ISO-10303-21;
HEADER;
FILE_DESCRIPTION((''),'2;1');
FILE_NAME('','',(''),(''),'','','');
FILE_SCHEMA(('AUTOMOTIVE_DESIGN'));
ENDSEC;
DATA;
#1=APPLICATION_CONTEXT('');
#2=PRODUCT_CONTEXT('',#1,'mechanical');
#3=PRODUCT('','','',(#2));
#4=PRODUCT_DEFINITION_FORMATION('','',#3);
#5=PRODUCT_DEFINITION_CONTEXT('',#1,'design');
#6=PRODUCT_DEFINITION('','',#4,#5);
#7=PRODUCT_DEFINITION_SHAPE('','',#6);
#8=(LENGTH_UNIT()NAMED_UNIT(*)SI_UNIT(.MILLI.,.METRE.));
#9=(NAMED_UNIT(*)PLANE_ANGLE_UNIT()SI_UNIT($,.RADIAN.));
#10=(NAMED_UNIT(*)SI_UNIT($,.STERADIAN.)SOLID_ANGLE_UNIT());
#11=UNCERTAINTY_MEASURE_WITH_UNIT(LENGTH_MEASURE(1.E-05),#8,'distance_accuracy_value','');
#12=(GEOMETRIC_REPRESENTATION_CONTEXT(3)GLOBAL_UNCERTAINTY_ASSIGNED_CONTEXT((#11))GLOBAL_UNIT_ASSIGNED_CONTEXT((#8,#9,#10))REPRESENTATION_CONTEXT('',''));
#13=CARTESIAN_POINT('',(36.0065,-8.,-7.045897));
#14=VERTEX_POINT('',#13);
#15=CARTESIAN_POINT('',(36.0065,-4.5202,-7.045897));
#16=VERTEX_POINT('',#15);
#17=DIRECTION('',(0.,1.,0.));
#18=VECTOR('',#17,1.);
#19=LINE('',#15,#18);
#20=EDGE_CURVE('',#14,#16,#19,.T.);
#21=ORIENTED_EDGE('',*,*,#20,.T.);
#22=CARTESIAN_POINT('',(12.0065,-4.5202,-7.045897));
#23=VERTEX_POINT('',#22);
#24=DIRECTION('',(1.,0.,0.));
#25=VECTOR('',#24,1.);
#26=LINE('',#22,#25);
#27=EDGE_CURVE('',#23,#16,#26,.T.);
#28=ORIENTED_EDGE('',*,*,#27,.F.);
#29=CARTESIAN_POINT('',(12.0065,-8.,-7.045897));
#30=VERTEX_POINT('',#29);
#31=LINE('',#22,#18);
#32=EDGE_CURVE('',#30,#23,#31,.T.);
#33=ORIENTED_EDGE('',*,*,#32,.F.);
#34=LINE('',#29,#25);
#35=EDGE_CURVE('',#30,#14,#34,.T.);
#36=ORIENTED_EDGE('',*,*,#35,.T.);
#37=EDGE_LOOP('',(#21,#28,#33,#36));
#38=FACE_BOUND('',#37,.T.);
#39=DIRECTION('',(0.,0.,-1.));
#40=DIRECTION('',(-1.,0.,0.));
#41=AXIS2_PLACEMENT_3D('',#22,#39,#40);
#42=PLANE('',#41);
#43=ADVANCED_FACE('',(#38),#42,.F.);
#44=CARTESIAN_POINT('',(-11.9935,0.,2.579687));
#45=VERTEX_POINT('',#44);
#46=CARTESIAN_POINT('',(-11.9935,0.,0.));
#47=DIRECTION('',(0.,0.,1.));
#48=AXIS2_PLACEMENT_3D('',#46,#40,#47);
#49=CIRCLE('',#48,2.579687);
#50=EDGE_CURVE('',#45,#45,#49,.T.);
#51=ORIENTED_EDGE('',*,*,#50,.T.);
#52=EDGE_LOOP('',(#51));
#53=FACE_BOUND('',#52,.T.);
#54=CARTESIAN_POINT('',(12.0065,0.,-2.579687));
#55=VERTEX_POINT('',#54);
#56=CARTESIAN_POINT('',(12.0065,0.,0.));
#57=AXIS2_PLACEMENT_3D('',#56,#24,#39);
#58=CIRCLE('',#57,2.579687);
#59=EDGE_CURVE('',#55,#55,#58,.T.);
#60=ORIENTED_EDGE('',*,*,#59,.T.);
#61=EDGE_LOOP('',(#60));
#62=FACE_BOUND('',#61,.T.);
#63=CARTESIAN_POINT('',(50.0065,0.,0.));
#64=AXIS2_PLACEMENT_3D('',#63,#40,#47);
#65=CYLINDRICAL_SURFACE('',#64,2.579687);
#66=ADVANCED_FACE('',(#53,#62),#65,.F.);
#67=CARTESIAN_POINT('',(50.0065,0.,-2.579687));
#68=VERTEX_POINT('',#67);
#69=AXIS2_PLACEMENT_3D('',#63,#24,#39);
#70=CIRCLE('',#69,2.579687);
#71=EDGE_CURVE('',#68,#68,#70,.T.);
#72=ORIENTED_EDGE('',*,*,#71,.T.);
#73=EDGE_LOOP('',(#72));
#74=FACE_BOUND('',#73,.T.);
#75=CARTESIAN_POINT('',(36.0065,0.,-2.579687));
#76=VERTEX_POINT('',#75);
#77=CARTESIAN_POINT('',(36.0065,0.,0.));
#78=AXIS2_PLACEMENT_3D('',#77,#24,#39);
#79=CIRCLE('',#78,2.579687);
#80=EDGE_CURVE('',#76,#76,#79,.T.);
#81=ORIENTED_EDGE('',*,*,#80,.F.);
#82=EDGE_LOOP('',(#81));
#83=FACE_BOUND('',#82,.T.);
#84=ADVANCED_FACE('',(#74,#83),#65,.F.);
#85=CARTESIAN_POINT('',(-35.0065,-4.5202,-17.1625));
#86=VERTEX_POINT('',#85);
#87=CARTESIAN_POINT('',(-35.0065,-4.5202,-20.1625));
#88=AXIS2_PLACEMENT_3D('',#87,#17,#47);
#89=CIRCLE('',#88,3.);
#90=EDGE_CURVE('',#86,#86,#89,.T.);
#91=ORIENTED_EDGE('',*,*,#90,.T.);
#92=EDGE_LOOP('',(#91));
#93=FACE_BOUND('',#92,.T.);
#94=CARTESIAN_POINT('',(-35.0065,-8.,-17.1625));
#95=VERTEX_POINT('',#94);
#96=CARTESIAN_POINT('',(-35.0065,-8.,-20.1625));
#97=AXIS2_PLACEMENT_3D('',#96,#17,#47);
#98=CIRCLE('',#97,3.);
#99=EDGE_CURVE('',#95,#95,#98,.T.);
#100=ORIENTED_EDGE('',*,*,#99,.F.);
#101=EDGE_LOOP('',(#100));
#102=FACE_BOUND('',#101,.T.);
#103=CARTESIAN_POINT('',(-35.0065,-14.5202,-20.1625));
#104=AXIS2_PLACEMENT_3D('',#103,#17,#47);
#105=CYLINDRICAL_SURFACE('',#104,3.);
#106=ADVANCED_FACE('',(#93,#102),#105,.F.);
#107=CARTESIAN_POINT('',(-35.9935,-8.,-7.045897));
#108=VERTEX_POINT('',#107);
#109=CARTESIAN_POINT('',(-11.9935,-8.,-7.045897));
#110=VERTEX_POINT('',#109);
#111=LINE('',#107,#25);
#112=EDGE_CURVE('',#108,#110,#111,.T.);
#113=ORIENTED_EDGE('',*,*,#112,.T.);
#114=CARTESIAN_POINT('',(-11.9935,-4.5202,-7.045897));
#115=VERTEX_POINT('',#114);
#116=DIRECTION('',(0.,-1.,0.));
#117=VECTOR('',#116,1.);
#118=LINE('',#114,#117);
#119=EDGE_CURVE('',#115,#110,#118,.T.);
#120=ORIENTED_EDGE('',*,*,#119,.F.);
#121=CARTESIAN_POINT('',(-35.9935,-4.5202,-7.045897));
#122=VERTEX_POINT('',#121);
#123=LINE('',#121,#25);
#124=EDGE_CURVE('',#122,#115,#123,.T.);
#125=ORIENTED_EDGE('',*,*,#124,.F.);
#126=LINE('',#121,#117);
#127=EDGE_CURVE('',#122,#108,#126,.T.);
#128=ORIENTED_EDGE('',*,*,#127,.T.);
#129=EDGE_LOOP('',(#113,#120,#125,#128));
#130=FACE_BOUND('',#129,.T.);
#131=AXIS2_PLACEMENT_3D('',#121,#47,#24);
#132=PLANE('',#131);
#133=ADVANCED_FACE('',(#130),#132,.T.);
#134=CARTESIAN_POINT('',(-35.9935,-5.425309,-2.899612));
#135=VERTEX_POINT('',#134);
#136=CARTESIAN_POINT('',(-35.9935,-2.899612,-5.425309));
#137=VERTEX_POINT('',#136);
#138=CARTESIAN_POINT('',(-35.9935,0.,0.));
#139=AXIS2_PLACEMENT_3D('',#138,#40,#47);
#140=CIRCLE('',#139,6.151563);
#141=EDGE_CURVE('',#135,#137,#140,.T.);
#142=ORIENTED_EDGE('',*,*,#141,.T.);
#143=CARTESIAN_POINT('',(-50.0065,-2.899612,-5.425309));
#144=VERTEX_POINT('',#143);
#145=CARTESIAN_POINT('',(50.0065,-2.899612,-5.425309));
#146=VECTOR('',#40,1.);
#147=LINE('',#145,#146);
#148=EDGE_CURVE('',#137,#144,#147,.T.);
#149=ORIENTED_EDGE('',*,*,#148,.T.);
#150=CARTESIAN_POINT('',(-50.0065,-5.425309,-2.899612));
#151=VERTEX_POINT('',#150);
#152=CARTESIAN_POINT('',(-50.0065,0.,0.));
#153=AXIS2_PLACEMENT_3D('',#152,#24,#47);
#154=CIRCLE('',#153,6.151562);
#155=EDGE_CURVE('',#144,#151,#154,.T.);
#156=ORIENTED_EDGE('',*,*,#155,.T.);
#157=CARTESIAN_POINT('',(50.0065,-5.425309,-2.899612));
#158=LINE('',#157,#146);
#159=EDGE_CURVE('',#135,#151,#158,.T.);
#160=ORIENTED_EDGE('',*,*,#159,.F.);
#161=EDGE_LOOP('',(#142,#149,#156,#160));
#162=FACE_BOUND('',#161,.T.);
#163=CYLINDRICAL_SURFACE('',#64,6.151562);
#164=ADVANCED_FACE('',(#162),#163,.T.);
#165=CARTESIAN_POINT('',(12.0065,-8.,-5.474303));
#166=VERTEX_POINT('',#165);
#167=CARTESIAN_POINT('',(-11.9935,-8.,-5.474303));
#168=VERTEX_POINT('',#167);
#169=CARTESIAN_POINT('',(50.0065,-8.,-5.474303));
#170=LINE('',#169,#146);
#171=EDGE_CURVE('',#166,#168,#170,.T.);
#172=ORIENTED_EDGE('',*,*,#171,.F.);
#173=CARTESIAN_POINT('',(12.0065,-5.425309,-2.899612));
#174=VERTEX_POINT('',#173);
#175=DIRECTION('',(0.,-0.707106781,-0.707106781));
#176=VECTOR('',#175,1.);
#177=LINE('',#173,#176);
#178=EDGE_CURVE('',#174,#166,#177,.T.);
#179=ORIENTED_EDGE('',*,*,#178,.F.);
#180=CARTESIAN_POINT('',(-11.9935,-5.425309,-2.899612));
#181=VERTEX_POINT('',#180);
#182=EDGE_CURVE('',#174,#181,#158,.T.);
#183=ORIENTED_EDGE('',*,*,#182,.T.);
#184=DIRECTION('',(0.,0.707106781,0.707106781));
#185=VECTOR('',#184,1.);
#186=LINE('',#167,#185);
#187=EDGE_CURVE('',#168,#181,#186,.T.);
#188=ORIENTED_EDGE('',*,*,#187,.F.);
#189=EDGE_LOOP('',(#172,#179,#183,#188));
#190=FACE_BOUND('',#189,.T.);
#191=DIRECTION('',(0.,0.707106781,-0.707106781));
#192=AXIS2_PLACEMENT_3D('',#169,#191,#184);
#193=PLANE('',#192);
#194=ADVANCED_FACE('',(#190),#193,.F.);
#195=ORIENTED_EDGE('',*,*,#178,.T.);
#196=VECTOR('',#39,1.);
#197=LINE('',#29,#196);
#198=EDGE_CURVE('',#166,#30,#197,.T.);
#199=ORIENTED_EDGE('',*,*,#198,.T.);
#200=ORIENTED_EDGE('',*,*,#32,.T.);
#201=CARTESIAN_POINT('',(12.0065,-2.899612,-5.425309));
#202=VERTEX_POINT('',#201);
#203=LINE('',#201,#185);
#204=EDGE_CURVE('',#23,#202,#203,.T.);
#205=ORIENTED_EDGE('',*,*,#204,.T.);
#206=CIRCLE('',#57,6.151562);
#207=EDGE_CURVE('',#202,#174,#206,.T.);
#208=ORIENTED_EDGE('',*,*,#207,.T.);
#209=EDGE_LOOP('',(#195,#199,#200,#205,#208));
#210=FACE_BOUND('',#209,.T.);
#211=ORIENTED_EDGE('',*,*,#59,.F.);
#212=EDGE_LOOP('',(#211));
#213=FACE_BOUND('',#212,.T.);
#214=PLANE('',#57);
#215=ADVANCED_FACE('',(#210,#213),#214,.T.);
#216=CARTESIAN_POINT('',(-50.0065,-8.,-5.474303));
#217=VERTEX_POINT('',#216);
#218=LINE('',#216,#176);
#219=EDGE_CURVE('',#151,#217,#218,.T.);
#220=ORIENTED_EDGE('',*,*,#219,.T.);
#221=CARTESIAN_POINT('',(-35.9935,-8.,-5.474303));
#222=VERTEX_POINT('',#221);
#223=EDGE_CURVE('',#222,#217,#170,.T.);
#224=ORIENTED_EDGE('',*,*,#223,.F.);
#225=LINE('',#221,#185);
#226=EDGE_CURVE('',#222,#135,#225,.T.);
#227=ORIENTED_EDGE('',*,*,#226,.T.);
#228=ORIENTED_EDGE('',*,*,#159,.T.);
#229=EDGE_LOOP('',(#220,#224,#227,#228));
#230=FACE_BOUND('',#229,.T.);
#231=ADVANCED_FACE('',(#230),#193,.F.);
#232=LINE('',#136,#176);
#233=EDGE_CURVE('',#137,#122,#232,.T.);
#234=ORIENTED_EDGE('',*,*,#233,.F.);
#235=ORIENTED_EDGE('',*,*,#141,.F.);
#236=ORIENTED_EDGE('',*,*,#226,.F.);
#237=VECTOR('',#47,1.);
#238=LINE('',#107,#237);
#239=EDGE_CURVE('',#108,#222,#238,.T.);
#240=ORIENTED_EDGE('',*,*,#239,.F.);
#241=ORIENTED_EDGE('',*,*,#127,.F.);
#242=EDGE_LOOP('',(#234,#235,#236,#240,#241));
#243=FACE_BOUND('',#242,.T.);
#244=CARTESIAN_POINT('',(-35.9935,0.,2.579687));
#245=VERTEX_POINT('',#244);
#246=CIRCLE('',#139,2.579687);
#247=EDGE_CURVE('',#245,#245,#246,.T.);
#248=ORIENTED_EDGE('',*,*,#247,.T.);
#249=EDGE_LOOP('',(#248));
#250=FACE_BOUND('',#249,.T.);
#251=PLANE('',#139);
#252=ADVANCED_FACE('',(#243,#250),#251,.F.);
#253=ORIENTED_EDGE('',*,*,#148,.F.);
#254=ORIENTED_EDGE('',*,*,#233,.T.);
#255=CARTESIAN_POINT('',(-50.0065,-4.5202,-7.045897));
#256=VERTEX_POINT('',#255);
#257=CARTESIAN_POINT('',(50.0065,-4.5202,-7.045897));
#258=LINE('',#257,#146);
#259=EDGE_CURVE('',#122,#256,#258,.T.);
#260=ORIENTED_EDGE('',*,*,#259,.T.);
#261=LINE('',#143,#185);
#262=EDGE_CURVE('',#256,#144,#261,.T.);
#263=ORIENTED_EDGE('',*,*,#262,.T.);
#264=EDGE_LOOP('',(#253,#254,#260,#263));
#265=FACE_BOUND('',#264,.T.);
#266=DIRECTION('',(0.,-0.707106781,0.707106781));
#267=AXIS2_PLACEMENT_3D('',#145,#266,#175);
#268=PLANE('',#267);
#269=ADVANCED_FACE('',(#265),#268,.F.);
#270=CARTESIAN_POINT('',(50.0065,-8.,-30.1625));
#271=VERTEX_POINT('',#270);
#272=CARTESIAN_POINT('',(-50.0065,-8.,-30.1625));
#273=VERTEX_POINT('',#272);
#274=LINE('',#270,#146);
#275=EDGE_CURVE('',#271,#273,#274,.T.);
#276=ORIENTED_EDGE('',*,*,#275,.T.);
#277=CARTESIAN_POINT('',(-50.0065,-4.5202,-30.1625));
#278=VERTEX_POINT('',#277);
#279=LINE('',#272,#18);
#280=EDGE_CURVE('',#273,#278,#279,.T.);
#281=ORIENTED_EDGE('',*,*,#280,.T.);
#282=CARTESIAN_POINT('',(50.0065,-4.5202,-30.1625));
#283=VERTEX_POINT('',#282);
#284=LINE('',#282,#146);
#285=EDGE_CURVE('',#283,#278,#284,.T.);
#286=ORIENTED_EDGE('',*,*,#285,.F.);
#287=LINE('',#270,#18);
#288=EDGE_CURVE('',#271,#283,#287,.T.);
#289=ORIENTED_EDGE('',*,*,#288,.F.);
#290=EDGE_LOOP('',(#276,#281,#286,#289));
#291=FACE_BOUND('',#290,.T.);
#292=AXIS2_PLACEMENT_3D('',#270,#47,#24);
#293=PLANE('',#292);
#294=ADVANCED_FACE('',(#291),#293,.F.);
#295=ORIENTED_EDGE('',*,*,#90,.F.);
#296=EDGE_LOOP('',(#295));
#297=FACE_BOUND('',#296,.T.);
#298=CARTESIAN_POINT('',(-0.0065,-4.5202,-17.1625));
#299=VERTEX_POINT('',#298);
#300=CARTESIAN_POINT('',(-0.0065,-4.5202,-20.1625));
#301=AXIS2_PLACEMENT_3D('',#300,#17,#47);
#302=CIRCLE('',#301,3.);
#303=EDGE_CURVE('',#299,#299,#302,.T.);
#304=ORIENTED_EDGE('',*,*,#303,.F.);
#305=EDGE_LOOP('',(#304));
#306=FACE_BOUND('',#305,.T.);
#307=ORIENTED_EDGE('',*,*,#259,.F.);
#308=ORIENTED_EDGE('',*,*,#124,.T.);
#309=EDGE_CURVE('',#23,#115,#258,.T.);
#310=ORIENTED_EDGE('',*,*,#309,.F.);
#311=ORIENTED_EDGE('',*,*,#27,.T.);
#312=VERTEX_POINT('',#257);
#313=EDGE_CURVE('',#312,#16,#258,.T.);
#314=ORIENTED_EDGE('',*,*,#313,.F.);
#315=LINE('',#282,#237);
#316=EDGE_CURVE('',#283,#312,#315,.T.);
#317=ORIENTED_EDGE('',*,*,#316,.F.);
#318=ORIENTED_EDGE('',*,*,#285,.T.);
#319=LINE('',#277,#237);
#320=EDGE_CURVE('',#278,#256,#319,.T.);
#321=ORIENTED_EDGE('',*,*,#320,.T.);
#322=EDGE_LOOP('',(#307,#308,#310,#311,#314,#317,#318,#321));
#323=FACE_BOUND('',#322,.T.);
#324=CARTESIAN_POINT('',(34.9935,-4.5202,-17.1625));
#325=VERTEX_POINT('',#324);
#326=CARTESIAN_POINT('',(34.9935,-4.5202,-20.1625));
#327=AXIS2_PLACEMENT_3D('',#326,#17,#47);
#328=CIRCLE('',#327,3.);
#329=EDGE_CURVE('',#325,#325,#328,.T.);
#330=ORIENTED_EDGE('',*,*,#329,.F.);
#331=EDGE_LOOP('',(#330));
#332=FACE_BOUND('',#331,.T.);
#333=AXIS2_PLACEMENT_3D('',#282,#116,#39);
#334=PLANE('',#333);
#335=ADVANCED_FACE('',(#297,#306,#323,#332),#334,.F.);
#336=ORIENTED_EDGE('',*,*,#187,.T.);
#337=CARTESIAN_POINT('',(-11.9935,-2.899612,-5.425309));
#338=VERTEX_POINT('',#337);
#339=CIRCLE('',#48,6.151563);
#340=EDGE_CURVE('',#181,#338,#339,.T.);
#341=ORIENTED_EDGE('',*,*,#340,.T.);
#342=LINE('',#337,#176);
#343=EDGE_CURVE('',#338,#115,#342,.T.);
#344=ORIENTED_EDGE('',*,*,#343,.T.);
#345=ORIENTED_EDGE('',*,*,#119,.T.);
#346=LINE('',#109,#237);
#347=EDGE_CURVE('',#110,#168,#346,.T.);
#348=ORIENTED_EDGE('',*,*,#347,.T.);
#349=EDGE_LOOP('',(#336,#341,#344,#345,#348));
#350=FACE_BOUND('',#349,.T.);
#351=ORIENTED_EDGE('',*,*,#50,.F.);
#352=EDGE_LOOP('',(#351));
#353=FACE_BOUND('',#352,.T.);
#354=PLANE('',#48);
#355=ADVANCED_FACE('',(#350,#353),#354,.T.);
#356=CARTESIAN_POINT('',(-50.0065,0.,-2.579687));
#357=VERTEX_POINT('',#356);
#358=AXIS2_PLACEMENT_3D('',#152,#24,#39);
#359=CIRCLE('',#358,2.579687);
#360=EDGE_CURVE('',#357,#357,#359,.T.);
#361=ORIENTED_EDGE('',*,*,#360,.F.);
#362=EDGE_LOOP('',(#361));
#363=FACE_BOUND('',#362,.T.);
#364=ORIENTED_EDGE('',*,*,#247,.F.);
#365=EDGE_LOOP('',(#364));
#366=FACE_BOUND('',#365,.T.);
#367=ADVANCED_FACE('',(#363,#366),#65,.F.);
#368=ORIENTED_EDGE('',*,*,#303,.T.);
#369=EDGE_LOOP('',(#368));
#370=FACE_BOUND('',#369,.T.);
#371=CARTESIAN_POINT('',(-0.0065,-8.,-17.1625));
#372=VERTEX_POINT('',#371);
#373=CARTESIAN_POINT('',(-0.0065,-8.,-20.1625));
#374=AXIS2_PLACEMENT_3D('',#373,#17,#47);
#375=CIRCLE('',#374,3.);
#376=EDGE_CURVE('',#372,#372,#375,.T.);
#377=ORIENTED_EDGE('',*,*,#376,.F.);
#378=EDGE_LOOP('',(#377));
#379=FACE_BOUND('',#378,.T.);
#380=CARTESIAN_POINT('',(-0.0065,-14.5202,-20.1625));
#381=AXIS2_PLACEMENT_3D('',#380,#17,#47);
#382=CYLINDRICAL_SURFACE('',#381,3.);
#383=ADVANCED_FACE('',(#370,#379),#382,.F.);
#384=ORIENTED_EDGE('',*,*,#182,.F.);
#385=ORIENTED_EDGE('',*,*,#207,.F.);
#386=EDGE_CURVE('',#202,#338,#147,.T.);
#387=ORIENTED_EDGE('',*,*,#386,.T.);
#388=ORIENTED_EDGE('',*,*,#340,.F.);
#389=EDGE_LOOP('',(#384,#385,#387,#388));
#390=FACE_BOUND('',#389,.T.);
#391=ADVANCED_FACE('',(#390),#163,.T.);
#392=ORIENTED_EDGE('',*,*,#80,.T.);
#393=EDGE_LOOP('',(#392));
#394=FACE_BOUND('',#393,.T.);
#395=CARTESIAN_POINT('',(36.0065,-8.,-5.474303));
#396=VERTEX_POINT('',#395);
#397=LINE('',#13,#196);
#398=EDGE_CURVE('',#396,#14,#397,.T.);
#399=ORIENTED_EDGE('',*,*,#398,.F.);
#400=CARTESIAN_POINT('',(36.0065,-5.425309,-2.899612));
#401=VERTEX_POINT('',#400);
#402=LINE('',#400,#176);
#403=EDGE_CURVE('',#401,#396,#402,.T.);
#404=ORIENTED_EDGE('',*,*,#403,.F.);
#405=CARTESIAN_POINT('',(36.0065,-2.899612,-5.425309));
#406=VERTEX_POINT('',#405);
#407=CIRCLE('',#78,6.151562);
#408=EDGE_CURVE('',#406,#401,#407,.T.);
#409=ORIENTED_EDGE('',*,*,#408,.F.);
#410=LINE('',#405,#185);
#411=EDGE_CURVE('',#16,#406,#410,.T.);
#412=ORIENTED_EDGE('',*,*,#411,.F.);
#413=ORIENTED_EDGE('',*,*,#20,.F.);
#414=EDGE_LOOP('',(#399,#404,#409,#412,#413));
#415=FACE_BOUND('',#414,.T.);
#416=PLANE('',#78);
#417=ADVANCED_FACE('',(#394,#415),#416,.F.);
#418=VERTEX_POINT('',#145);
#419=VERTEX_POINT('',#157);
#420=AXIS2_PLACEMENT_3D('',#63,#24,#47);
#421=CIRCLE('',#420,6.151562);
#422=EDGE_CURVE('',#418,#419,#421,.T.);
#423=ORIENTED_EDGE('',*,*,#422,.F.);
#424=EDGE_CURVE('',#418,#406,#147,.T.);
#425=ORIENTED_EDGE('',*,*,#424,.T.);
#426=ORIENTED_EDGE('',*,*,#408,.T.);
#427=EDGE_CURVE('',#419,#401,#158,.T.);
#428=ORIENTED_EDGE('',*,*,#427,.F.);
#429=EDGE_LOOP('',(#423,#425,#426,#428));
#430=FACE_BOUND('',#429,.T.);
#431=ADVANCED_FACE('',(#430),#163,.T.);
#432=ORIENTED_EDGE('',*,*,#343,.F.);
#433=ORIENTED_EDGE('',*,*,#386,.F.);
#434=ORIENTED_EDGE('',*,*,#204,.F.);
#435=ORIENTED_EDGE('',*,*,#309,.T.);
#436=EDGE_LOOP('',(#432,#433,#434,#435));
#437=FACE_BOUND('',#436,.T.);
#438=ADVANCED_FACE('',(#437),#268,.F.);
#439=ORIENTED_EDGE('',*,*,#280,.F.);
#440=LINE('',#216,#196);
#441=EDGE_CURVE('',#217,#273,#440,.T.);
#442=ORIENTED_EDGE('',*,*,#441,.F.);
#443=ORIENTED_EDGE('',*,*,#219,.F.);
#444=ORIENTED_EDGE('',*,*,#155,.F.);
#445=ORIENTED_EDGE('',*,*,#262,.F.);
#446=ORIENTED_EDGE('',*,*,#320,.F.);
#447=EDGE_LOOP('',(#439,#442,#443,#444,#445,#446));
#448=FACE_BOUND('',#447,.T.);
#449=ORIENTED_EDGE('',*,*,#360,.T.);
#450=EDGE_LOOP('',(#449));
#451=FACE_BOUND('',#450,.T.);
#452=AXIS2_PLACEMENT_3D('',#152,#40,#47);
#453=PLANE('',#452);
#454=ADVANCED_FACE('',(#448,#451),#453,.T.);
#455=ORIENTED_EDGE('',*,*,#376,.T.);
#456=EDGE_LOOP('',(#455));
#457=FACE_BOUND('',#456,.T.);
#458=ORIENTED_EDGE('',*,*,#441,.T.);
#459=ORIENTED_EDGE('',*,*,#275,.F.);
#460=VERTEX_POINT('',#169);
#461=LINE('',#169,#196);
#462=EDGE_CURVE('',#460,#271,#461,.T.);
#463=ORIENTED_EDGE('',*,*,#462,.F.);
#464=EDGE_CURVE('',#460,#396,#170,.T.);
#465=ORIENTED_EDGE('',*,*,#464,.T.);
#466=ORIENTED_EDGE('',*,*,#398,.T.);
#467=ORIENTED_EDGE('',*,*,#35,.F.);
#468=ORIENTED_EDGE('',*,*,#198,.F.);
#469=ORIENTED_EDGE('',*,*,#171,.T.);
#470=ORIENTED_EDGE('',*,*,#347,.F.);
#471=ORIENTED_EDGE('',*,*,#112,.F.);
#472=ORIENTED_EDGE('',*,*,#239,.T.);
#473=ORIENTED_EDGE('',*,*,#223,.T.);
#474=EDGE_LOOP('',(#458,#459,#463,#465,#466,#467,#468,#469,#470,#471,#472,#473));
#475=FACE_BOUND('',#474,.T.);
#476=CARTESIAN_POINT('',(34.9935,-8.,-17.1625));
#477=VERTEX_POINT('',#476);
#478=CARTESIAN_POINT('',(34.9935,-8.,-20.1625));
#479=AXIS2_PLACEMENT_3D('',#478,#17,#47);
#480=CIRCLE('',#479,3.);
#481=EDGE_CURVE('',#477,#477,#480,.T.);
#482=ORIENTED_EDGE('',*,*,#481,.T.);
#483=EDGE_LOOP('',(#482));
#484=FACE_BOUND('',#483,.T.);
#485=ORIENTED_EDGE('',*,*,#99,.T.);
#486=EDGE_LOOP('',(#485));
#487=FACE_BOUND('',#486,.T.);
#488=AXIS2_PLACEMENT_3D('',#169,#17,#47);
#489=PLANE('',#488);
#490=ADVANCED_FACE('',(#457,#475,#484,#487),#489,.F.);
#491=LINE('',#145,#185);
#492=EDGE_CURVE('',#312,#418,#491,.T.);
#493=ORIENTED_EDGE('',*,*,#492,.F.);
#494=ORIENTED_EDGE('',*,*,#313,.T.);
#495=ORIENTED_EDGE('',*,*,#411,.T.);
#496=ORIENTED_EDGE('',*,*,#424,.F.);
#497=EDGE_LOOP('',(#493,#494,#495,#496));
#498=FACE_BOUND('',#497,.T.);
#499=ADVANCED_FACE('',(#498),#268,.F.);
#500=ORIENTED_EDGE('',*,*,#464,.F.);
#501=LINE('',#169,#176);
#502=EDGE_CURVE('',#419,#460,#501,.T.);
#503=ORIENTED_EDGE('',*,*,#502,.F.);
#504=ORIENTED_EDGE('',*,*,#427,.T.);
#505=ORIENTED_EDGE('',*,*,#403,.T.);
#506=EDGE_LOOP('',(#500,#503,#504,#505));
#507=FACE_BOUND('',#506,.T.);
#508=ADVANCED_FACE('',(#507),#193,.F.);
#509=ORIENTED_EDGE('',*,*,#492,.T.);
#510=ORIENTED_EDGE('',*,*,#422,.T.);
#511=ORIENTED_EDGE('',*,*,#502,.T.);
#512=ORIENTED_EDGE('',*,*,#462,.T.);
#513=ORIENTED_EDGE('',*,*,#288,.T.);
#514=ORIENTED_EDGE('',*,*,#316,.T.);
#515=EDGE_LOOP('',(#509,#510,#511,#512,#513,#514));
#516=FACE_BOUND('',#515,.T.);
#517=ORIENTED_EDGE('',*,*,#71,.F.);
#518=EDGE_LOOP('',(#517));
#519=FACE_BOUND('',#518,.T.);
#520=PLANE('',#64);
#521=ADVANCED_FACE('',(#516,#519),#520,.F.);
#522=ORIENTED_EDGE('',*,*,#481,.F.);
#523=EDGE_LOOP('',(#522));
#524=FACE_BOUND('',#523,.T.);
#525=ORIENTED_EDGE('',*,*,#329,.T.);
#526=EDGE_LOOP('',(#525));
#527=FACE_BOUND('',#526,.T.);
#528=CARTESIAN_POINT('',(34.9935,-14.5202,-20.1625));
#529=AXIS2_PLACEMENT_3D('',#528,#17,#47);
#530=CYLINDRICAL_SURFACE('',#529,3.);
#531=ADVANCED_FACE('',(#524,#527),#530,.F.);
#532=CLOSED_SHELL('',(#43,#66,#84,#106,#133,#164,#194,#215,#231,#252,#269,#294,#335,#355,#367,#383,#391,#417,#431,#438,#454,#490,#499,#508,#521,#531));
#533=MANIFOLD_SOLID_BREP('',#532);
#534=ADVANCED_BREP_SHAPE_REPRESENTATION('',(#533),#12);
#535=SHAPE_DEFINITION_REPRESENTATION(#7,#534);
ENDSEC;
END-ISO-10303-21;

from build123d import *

# Parameters (mm, degrees)
SKETCH3_R          = 2.5796875
RIGHT_LEAF_DEPTH   = 50.0065
SKETCH11_R         = 3
CUT_EXTRUDE1_DEPTH = 10
CUT_EXTRUDE2_DEPTH = 24
CUT_EXTRUDE5_DEPTH = 24


with BuildPart() as part:
    # Sketch3 → Right Leaf (new, symmetric)
    with BuildSketch(Plane(origin=(0, 0, 0), x_dir=(0, 0, -1), z_dir=(1, 0, 0))):
        with BuildLine():
            Line((5.474302966, -8), (30.1625, -8))
            Line((30.1625, -8), (30.1625, -4.5202))
            Line((30.1625, -4.5202), (7.045897034, -4.5202))
            Line((7.045897034, -4.5202), (5.425308633, -2.899611599))
            ThreePointArc((5.425308633, -2.899611599), (-4.349811559, 4.349811559), (2.899611599, -5.425308633))
            Line((2.899611599, -5.425308633), (5.474302966, -8))
        make_face()
        Circle(SKETCH3_R, mode=Mode.SUBTRACT)
    extrude(amount=RIGHT_LEAF_DEPTH, both=True)

    # Sketch11 → Cut-Extrude1 (cut)
    with BuildSketch(Plane(origin=(0, -4.5202, 0), x_dir=(1, 0, 0), z_dir=(0, 1, 0))):
        with Locations(Location((-35.0065, 20.1625, 0), (0, 0, 270))):
            Circle(SKETCH11_R)
        with Locations(Location((-0.0065, 20.1625, 0), (0, 0, 270))):
            Circle(SKETCH11_R)
        with Locations(Location((34.9935, 20.1625, 0), (0, 0, 270))):
            Circle(SKETCH11_R)
    extrude(amount=-CUT_EXTRUDE1_DEPTH, mode=Mode.SUBTRACT)

    # Sketch12 → Cut-Extrude2 (cut)
    with BuildSketch(Plane(origin=(36.0065, 0, 0), x_dir=(0, 0, -1), z_dir=(1, 0, 0))):
        with BuildLine():
            Line((2.899611599, -5.425308633), (5.474302966, -8))
            Line((5.474302966, -8), (7.045897034, -8))
            Line((7.045897034, -8), (7.045897034, -4.5202))
            Line((7.045897034, -4.5202), (5.425308633, -2.899611599))
            ThreePointArc((5.425308633, -2.899611599), (-4.349811559, 4.349811559), (2.899611599, -5.425308633))
        make_face()
    extrude(amount=-CUT_EXTRUDE2_DEPTH, mode=Mode.SUBTRACT)

    # Sketch14 → Cut-Extrude5 (cut)
    with BuildSketch(Plane.ZY.offset(11.9935)):
        with BuildLine():
            Line((-5.425308633, -2.899611599), (-7.045897034, -4.5202))
            Line((-7.045897034, -4.5202), (-7.045897034, -8))
            Line((-7.045897034, -8), (-5.474302966, -8))
            Line((-5.474302966, -8), (-2.899611599, -5.425308633))
            ThreePointArc((-2.899611599, -5.425308633), (4.349811559, 4.349811559), (-5.425308633, -2.899611599))
        make_face()
    extrude(amount=CUT_EXTRUDE5_DEPTH, mode=Mode.SUBTRACT)


solid = part.part
